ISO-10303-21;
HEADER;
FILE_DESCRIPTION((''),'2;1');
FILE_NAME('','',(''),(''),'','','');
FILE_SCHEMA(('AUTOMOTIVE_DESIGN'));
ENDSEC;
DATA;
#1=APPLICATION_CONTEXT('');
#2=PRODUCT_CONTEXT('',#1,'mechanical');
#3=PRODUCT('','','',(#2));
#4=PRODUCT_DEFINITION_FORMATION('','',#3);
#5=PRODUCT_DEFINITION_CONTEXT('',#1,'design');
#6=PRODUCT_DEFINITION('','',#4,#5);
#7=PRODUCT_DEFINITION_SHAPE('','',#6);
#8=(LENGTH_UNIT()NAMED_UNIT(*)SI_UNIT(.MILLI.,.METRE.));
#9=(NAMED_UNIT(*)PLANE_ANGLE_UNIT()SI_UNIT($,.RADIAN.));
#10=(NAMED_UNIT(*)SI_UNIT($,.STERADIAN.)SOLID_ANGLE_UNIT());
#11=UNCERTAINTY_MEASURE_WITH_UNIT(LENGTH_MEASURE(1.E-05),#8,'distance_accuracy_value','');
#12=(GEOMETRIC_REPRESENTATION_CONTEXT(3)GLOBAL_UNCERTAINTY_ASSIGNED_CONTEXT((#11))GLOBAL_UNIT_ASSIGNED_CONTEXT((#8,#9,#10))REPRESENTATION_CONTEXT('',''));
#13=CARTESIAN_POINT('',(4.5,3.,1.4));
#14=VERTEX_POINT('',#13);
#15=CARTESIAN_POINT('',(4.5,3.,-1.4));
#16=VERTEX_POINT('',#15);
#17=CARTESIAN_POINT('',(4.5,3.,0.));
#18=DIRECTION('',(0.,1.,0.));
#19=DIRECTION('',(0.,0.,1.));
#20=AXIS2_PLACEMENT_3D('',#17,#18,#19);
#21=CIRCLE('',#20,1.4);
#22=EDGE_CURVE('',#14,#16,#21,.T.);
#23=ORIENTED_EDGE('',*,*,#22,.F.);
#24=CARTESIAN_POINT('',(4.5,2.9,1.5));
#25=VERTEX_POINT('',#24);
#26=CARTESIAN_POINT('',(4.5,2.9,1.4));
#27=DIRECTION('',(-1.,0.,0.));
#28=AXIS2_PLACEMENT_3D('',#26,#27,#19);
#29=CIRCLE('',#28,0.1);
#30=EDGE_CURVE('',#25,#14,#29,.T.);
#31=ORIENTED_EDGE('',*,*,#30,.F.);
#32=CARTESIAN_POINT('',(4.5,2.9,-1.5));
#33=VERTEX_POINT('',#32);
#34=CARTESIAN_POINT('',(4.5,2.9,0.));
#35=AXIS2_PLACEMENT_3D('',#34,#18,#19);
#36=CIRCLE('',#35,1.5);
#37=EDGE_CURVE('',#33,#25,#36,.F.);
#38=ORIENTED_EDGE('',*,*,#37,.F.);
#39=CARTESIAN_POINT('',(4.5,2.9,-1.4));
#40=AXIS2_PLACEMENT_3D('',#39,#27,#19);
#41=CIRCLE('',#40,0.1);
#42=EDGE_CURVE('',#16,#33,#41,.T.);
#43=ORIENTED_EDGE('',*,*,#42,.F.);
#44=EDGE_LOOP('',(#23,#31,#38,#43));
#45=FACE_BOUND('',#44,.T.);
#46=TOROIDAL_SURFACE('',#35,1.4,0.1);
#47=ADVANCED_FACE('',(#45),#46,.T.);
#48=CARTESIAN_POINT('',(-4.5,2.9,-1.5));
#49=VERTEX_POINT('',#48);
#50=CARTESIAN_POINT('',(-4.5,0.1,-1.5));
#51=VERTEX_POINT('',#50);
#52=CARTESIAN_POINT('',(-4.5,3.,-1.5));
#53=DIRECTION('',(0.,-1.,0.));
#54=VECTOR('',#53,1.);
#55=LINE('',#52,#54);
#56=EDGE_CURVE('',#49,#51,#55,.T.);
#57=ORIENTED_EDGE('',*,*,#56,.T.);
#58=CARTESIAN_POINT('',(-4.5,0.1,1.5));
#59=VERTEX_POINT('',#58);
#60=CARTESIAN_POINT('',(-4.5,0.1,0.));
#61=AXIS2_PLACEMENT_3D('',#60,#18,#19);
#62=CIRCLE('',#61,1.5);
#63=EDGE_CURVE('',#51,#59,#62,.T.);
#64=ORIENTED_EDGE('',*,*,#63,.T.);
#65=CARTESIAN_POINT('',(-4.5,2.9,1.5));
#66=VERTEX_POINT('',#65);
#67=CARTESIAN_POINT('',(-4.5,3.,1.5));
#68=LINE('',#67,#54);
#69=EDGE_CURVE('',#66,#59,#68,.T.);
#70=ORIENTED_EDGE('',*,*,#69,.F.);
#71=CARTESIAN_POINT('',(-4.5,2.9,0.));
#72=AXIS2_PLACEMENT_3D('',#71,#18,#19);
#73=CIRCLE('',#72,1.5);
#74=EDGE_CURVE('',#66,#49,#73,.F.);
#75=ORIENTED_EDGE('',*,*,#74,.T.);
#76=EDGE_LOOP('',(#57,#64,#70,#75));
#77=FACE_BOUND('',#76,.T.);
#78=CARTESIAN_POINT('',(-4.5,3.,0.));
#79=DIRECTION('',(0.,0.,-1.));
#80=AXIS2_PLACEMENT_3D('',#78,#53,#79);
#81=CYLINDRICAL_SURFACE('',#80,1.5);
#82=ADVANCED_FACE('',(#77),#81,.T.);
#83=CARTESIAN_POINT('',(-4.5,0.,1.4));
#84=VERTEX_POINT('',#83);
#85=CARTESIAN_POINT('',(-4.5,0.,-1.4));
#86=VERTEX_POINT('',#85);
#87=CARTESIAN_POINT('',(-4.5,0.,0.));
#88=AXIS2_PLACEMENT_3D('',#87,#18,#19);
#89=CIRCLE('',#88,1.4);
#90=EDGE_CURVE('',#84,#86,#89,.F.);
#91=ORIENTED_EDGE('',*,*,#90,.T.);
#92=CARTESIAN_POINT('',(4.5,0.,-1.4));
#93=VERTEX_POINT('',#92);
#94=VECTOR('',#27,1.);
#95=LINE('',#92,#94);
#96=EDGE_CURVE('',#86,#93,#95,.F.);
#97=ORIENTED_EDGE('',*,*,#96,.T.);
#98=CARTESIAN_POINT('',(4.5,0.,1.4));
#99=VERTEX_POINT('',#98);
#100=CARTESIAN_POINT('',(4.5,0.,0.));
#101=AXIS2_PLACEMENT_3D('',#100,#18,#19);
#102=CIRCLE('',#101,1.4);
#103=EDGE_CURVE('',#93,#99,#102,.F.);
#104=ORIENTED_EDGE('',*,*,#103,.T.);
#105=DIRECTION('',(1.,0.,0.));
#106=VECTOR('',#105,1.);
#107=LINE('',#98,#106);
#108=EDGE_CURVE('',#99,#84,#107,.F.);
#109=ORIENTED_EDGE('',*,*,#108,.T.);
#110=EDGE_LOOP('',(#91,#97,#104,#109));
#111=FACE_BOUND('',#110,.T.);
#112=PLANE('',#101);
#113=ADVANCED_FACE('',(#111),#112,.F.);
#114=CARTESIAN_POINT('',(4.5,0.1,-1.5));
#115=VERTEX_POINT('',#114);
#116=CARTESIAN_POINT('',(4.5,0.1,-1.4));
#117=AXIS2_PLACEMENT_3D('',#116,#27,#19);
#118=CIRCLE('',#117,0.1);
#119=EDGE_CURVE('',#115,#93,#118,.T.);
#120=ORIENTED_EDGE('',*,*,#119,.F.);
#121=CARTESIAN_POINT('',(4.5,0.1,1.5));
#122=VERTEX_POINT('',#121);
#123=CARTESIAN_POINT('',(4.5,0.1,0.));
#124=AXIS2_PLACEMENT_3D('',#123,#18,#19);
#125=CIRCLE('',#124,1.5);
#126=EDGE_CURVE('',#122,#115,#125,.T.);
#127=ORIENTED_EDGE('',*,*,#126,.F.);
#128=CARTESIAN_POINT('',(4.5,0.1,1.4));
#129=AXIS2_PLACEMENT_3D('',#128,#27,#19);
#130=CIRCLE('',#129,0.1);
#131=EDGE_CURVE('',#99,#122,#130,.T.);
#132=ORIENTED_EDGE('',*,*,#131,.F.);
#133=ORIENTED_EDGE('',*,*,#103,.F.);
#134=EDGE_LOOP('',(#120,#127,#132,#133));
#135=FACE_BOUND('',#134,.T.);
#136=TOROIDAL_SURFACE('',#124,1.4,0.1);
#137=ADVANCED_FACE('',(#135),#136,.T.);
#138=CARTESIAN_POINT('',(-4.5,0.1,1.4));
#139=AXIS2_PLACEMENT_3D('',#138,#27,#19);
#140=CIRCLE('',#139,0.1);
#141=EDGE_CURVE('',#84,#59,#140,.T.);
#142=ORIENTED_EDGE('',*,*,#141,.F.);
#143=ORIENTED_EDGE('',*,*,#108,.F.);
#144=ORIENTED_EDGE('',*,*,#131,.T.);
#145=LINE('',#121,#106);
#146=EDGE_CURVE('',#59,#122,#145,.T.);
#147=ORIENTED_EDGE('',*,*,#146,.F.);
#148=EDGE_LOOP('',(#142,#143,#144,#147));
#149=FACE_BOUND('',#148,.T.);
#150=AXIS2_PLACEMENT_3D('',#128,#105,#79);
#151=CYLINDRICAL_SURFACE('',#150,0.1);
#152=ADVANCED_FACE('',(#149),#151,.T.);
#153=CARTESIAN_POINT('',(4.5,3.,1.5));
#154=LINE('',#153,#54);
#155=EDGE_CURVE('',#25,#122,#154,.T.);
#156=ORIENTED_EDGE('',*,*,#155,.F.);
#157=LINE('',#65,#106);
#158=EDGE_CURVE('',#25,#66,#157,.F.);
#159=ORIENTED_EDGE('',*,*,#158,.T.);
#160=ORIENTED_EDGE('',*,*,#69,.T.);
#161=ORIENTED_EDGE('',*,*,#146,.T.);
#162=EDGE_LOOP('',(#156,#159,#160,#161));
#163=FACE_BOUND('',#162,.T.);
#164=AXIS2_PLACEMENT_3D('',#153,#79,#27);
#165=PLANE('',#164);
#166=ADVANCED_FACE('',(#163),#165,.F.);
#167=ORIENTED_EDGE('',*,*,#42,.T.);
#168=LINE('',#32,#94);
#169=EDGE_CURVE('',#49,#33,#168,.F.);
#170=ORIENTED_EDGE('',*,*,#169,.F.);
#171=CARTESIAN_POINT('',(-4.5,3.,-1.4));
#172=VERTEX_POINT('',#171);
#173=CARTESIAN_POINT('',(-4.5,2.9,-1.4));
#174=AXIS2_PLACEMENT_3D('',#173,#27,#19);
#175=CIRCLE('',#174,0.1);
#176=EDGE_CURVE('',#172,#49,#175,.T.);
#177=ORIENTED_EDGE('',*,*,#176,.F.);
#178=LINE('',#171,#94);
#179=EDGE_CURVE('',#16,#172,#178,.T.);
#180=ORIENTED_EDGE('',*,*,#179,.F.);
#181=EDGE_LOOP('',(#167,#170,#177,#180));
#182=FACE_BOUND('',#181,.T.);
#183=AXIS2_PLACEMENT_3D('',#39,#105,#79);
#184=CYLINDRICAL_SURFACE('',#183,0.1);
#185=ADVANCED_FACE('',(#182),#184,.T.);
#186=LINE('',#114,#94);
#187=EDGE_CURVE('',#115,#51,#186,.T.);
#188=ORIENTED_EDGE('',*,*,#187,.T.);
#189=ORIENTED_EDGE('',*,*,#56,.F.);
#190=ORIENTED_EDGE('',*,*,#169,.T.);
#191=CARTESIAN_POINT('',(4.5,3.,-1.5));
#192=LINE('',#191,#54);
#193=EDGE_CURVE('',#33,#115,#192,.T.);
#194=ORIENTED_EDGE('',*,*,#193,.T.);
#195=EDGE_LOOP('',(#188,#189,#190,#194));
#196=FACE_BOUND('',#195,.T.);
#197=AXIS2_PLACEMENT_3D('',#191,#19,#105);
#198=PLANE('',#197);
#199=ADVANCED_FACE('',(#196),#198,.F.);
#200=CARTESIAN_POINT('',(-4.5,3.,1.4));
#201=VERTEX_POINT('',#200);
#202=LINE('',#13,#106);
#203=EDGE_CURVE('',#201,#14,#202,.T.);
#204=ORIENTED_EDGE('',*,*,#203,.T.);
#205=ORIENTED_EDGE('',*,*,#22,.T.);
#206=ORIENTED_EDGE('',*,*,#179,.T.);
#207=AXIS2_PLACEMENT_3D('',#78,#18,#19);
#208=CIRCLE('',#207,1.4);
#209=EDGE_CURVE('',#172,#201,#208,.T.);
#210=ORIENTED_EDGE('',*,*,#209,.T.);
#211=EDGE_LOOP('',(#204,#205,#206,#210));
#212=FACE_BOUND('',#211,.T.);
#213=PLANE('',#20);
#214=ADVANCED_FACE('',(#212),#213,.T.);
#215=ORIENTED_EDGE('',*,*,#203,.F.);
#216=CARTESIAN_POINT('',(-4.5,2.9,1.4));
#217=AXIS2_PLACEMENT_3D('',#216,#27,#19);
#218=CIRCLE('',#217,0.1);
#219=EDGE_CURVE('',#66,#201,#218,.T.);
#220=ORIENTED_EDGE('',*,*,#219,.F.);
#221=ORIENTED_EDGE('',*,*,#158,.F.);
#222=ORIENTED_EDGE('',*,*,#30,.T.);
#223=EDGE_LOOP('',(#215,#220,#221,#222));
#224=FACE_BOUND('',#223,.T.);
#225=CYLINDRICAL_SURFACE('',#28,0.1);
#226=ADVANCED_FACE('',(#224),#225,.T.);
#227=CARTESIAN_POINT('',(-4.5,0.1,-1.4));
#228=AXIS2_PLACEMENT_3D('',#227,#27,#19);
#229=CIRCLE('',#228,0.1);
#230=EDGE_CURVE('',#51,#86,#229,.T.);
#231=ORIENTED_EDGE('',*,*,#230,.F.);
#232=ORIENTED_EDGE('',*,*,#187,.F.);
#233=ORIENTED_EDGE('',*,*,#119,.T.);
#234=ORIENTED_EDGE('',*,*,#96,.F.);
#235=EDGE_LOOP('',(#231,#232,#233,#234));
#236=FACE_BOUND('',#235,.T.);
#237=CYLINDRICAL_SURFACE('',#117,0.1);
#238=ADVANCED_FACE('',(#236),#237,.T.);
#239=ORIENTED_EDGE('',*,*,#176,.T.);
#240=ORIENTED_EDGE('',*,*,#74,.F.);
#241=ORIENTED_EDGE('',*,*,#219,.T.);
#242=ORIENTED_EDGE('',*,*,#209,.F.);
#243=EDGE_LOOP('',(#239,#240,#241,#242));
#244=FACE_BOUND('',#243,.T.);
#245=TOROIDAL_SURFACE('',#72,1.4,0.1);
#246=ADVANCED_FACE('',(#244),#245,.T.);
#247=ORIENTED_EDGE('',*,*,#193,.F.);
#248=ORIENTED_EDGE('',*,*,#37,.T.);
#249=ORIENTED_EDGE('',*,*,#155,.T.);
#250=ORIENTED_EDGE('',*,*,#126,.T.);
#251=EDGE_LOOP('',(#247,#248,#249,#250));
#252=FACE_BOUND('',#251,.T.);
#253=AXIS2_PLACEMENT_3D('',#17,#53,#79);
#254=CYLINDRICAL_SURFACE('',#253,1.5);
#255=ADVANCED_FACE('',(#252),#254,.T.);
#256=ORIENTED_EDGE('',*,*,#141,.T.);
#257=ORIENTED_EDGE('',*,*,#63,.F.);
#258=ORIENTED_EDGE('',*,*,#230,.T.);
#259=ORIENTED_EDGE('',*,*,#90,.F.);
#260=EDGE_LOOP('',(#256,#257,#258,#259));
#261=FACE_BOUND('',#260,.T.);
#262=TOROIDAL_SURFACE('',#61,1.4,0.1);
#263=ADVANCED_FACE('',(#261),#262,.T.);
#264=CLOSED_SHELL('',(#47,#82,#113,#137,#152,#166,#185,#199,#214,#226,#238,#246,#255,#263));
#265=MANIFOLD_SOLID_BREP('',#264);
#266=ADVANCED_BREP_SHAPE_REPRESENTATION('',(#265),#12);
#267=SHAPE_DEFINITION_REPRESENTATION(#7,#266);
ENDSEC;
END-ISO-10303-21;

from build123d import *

# Parameters (mm, degrees)
BOSS_EXTRU_1_DEPTH = 3
CONG_1_R           = 0.1


with BuildPart() as part:
    # Esquisse1 → Boss.-Extru.1 (new body)
    with BuildSketch(Plane(origin=(0, 0, 0), x_dir=(1, 0, 0), z_dir=(0, 1, 0))):
        with BuildLine():
            Line((4.5, -1.5), (-4.5, -1.5))
            ThreePointArc((-4.5, -1.5), (-6, 0), (-4.5, 1.5))
            Line((-4.5, 1.5), (4.5, 1.5))
            ThreePointArc((4.5, 1.5), (6, 0), (4.5, -1.5))
        make_face()
    extrude(amount=BOSS_EXTRU_1_DEPTH)

    # Congé1
    cong_1_edges = [part.edges().sort_by_distance(p)[0] for p in [
        (-6, 3, 0),
        (0, 3, 1.5),
        (6, 3, 0),
        (0, 0, 1.5),
        (-6, 0, 0),
        (0, 0, -1.5),
        (6, 0, 0),
        (0, 3, -1.5),
    ]]
    fillet(cong_1_edges, radius=CONG_1_R)


solid = part.part
